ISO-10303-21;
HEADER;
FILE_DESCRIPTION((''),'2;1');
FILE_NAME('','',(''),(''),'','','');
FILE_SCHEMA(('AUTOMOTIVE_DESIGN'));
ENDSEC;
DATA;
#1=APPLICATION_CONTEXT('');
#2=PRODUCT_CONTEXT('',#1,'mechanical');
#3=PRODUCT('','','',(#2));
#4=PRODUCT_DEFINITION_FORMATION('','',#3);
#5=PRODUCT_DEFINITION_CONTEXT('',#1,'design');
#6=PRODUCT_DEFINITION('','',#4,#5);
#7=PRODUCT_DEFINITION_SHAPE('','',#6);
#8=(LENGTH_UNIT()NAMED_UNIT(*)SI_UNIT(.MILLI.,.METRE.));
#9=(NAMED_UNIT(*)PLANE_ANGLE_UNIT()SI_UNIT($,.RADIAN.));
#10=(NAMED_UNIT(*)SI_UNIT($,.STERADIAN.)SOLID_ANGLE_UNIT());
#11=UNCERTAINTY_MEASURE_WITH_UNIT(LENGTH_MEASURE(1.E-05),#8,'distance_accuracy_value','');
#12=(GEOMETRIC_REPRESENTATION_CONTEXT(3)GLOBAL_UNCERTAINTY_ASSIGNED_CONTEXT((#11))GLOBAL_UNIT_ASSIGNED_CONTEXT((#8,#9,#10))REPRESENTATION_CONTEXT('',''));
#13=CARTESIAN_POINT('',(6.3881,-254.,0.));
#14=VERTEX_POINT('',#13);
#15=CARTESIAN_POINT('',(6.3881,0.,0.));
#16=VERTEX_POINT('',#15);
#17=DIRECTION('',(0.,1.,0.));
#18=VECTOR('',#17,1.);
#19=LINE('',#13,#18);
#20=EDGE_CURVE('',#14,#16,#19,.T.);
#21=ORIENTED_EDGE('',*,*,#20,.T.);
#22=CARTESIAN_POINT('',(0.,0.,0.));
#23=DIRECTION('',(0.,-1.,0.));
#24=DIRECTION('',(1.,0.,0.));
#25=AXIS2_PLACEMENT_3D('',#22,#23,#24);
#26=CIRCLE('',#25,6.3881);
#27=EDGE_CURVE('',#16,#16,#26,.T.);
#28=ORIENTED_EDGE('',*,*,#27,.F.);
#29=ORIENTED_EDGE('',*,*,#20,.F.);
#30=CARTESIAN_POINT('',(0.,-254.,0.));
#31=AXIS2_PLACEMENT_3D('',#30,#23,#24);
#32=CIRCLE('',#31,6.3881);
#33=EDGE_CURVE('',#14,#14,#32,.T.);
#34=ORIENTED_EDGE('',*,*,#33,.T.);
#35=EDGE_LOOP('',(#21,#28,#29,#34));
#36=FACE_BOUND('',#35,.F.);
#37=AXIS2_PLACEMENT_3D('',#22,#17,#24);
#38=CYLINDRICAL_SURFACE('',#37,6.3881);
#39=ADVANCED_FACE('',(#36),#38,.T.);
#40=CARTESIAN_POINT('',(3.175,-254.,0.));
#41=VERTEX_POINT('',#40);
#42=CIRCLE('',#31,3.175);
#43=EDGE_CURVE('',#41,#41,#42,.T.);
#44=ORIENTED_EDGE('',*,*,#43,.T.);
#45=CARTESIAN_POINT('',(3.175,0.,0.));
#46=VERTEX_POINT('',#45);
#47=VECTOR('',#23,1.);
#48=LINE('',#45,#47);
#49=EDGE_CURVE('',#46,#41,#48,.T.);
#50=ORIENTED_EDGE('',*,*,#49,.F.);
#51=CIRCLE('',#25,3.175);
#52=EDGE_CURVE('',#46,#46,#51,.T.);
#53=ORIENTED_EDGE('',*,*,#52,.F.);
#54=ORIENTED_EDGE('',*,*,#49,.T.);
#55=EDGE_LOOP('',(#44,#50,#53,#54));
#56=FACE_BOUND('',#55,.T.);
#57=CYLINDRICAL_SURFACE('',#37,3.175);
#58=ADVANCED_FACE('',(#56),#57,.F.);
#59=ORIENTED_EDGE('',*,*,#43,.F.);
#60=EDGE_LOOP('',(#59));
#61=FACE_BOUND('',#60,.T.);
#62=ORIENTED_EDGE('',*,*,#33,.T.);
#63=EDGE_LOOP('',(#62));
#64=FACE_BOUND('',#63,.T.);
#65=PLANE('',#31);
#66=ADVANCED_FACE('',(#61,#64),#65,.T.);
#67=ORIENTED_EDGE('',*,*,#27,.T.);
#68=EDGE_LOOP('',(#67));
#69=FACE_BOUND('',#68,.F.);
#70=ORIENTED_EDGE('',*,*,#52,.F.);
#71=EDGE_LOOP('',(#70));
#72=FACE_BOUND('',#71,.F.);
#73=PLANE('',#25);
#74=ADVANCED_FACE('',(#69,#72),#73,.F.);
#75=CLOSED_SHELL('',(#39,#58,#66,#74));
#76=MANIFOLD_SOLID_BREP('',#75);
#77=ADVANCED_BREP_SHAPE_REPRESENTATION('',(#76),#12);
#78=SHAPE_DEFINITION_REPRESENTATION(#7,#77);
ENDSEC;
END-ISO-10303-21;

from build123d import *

# Parameters (mm, degrees)
F0_R     = 6.3881
F0_R_2   = 3.175
F1_DEPTH = 25.4
F2_DEPTH = 254


with BuildPart() as f1:
    # F0 (on Front) → F1 (new body)
    with BuildSketch(Plane.XZ):
        Circle(F0_R)
        Circle(F0_R_2, mode=Mode.SUBTRACT)
    extrude(amount=F1_DEPTH)

    # F0 (on Front) → F2 (join)
    with BuildSketch(Plane.XZ):
        Circle(F0_R)
        Circle(F0_R_2, mode=Mode.SUBTRACT)
    extrude(amount=F2_DEPTH)


solid = f1.part
